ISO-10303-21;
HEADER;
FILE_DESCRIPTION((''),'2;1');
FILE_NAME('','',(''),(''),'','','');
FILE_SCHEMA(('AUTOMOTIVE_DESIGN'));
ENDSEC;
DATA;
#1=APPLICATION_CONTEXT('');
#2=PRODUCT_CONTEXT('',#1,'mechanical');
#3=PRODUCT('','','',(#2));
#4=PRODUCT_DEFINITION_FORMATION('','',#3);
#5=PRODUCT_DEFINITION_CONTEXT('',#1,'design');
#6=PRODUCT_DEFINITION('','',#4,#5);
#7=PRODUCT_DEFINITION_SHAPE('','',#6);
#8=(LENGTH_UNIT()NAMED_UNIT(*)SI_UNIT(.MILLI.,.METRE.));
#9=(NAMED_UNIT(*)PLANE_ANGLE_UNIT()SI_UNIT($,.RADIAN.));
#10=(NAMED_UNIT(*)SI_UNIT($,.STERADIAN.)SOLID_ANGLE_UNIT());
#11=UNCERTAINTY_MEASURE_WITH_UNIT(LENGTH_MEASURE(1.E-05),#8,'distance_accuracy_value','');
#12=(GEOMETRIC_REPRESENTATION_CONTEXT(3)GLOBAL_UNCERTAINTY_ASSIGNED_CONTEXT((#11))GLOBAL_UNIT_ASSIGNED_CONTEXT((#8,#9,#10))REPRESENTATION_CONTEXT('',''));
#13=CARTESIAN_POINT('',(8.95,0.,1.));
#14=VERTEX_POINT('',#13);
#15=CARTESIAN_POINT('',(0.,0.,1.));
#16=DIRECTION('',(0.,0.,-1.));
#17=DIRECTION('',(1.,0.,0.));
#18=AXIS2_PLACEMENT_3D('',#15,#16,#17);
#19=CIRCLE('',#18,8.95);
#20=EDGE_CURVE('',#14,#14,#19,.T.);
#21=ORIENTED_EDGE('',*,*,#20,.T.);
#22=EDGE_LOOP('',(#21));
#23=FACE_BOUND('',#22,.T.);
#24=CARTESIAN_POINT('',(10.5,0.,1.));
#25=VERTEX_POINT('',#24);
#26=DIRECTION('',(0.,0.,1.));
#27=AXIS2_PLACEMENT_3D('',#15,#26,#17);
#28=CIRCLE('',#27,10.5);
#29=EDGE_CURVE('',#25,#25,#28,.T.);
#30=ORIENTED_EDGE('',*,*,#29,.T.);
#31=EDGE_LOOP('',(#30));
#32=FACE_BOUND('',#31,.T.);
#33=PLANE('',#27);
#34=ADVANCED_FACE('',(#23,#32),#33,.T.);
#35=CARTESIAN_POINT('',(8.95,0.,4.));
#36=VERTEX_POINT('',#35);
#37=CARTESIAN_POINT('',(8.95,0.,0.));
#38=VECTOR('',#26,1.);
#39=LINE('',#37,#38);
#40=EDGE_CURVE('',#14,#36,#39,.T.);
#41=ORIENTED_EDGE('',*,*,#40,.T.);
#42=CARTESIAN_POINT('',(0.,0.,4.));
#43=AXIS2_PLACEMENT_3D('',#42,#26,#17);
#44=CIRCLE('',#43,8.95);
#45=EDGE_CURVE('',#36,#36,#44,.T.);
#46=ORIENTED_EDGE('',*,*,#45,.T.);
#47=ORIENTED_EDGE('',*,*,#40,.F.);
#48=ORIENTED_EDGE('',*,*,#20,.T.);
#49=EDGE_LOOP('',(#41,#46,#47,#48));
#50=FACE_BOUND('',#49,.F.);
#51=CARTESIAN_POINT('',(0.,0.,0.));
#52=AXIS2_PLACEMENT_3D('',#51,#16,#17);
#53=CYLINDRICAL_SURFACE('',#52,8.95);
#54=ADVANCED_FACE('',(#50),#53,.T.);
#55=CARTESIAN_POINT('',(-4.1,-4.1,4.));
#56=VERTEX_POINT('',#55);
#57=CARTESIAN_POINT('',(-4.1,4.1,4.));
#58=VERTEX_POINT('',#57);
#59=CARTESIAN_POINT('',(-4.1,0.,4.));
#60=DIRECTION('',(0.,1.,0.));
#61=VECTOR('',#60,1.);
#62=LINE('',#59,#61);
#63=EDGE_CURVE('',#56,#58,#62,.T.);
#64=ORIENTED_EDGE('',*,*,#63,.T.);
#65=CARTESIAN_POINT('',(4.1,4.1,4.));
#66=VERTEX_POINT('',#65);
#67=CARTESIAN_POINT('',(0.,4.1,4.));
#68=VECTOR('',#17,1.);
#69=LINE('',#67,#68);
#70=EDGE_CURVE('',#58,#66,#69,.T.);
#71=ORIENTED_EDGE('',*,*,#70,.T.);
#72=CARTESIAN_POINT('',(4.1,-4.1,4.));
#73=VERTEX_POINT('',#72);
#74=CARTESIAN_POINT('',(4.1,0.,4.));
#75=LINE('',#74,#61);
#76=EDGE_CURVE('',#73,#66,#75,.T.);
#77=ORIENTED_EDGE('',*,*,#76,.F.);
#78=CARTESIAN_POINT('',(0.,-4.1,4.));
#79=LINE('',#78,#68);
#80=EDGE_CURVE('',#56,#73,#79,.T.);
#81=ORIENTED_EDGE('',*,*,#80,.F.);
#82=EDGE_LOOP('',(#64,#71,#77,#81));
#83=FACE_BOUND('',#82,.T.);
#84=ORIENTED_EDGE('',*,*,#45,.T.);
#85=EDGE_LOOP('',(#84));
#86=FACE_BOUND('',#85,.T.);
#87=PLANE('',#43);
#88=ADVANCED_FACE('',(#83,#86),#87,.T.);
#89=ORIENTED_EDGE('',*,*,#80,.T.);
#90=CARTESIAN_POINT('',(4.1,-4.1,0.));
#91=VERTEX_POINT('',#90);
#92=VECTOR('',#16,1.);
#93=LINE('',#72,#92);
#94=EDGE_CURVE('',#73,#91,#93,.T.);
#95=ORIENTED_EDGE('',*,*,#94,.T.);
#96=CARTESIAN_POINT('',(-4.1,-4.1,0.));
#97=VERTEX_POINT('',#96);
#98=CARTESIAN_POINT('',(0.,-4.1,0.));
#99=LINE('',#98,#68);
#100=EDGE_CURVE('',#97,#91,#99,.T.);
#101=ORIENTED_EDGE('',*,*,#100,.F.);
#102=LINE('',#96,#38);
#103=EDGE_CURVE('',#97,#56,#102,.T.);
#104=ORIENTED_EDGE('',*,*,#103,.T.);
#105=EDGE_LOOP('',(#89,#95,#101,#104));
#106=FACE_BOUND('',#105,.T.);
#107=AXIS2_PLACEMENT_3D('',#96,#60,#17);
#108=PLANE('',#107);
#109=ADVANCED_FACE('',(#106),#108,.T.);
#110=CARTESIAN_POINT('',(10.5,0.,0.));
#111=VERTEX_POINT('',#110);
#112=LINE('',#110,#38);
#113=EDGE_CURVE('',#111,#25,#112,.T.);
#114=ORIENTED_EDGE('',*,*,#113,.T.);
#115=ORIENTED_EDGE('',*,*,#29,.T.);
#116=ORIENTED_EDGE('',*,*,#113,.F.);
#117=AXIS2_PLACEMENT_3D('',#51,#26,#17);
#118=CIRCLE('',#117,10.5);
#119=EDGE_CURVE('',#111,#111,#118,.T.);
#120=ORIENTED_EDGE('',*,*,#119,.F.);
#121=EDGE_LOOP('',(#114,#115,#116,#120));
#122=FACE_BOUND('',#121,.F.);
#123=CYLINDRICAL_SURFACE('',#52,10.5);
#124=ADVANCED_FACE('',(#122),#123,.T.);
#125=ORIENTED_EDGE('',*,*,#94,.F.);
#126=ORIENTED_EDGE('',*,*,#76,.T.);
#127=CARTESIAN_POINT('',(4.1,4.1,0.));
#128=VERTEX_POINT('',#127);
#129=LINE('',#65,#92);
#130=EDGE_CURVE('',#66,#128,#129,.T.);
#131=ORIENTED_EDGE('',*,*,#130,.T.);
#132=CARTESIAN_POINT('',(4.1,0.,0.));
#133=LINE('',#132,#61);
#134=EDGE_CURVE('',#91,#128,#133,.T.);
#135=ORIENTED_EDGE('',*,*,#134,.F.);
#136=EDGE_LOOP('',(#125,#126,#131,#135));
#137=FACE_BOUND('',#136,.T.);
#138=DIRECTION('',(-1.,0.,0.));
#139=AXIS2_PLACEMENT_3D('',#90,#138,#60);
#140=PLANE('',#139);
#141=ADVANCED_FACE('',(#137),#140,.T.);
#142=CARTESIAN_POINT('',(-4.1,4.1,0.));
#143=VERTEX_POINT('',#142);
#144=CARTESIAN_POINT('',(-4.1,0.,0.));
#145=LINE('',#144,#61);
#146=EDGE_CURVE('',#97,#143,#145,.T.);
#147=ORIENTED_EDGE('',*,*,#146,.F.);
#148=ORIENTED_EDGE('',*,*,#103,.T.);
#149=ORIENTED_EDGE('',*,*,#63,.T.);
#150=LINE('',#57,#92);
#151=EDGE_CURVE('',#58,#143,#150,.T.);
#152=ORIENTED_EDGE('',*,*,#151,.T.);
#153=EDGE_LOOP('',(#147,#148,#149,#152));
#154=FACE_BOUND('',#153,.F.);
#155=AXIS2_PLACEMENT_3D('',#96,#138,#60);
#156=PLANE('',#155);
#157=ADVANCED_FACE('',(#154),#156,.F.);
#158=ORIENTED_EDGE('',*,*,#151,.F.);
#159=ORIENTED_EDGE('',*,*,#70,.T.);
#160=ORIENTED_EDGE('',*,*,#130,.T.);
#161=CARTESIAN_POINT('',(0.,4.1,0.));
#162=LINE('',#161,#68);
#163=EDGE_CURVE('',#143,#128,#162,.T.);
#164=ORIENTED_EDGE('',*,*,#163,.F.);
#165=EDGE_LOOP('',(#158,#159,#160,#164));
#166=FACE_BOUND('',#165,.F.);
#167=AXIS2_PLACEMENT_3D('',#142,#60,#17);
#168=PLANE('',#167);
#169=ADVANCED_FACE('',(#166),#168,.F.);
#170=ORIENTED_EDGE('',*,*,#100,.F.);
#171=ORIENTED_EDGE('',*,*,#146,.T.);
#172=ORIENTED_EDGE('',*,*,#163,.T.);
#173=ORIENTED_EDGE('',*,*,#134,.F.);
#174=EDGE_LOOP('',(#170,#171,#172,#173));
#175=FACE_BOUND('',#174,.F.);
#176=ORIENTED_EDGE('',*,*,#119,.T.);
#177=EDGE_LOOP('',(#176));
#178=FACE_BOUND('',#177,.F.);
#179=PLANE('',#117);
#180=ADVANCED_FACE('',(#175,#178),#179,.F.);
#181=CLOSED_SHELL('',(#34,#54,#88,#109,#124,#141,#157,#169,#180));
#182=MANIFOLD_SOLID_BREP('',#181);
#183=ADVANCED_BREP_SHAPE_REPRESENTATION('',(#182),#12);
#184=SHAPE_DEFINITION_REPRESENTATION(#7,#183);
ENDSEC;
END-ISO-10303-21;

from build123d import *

# Parameters (mm, degrees)
SKETCH_R     = 8.95
SKETCH_W     = 8.2
SKETCH_H     = 8.2
PAD_DEPTH    = 4
SKETCH001_R  = 10.5
SKETCH001_W  = 8.2
SKETCH001_H  = 8.2
PAD001_DEPTH = 1


with BuildPart() as part:
    # Sketch → Pad (new body)
    with BuildSketch(Plane.XY):
        Circle(SKETCH_R)
        Rectangle(SKETCH_W, SKETCH_H, mode=Mode.SUBTRACT)
    extrude(amount=PAD_DEPTH)

    # Sketch001 → Pad001 (join)
    with BuildSketch(Plane.XY):
        Circle(SKETCH001_R)
        Rectangle(SKETCH001_W, SKETCH001_H, mode=Mode.SUBTRACT)
    extrude(amount=PAD001_DEPTH)


solid = part.part
